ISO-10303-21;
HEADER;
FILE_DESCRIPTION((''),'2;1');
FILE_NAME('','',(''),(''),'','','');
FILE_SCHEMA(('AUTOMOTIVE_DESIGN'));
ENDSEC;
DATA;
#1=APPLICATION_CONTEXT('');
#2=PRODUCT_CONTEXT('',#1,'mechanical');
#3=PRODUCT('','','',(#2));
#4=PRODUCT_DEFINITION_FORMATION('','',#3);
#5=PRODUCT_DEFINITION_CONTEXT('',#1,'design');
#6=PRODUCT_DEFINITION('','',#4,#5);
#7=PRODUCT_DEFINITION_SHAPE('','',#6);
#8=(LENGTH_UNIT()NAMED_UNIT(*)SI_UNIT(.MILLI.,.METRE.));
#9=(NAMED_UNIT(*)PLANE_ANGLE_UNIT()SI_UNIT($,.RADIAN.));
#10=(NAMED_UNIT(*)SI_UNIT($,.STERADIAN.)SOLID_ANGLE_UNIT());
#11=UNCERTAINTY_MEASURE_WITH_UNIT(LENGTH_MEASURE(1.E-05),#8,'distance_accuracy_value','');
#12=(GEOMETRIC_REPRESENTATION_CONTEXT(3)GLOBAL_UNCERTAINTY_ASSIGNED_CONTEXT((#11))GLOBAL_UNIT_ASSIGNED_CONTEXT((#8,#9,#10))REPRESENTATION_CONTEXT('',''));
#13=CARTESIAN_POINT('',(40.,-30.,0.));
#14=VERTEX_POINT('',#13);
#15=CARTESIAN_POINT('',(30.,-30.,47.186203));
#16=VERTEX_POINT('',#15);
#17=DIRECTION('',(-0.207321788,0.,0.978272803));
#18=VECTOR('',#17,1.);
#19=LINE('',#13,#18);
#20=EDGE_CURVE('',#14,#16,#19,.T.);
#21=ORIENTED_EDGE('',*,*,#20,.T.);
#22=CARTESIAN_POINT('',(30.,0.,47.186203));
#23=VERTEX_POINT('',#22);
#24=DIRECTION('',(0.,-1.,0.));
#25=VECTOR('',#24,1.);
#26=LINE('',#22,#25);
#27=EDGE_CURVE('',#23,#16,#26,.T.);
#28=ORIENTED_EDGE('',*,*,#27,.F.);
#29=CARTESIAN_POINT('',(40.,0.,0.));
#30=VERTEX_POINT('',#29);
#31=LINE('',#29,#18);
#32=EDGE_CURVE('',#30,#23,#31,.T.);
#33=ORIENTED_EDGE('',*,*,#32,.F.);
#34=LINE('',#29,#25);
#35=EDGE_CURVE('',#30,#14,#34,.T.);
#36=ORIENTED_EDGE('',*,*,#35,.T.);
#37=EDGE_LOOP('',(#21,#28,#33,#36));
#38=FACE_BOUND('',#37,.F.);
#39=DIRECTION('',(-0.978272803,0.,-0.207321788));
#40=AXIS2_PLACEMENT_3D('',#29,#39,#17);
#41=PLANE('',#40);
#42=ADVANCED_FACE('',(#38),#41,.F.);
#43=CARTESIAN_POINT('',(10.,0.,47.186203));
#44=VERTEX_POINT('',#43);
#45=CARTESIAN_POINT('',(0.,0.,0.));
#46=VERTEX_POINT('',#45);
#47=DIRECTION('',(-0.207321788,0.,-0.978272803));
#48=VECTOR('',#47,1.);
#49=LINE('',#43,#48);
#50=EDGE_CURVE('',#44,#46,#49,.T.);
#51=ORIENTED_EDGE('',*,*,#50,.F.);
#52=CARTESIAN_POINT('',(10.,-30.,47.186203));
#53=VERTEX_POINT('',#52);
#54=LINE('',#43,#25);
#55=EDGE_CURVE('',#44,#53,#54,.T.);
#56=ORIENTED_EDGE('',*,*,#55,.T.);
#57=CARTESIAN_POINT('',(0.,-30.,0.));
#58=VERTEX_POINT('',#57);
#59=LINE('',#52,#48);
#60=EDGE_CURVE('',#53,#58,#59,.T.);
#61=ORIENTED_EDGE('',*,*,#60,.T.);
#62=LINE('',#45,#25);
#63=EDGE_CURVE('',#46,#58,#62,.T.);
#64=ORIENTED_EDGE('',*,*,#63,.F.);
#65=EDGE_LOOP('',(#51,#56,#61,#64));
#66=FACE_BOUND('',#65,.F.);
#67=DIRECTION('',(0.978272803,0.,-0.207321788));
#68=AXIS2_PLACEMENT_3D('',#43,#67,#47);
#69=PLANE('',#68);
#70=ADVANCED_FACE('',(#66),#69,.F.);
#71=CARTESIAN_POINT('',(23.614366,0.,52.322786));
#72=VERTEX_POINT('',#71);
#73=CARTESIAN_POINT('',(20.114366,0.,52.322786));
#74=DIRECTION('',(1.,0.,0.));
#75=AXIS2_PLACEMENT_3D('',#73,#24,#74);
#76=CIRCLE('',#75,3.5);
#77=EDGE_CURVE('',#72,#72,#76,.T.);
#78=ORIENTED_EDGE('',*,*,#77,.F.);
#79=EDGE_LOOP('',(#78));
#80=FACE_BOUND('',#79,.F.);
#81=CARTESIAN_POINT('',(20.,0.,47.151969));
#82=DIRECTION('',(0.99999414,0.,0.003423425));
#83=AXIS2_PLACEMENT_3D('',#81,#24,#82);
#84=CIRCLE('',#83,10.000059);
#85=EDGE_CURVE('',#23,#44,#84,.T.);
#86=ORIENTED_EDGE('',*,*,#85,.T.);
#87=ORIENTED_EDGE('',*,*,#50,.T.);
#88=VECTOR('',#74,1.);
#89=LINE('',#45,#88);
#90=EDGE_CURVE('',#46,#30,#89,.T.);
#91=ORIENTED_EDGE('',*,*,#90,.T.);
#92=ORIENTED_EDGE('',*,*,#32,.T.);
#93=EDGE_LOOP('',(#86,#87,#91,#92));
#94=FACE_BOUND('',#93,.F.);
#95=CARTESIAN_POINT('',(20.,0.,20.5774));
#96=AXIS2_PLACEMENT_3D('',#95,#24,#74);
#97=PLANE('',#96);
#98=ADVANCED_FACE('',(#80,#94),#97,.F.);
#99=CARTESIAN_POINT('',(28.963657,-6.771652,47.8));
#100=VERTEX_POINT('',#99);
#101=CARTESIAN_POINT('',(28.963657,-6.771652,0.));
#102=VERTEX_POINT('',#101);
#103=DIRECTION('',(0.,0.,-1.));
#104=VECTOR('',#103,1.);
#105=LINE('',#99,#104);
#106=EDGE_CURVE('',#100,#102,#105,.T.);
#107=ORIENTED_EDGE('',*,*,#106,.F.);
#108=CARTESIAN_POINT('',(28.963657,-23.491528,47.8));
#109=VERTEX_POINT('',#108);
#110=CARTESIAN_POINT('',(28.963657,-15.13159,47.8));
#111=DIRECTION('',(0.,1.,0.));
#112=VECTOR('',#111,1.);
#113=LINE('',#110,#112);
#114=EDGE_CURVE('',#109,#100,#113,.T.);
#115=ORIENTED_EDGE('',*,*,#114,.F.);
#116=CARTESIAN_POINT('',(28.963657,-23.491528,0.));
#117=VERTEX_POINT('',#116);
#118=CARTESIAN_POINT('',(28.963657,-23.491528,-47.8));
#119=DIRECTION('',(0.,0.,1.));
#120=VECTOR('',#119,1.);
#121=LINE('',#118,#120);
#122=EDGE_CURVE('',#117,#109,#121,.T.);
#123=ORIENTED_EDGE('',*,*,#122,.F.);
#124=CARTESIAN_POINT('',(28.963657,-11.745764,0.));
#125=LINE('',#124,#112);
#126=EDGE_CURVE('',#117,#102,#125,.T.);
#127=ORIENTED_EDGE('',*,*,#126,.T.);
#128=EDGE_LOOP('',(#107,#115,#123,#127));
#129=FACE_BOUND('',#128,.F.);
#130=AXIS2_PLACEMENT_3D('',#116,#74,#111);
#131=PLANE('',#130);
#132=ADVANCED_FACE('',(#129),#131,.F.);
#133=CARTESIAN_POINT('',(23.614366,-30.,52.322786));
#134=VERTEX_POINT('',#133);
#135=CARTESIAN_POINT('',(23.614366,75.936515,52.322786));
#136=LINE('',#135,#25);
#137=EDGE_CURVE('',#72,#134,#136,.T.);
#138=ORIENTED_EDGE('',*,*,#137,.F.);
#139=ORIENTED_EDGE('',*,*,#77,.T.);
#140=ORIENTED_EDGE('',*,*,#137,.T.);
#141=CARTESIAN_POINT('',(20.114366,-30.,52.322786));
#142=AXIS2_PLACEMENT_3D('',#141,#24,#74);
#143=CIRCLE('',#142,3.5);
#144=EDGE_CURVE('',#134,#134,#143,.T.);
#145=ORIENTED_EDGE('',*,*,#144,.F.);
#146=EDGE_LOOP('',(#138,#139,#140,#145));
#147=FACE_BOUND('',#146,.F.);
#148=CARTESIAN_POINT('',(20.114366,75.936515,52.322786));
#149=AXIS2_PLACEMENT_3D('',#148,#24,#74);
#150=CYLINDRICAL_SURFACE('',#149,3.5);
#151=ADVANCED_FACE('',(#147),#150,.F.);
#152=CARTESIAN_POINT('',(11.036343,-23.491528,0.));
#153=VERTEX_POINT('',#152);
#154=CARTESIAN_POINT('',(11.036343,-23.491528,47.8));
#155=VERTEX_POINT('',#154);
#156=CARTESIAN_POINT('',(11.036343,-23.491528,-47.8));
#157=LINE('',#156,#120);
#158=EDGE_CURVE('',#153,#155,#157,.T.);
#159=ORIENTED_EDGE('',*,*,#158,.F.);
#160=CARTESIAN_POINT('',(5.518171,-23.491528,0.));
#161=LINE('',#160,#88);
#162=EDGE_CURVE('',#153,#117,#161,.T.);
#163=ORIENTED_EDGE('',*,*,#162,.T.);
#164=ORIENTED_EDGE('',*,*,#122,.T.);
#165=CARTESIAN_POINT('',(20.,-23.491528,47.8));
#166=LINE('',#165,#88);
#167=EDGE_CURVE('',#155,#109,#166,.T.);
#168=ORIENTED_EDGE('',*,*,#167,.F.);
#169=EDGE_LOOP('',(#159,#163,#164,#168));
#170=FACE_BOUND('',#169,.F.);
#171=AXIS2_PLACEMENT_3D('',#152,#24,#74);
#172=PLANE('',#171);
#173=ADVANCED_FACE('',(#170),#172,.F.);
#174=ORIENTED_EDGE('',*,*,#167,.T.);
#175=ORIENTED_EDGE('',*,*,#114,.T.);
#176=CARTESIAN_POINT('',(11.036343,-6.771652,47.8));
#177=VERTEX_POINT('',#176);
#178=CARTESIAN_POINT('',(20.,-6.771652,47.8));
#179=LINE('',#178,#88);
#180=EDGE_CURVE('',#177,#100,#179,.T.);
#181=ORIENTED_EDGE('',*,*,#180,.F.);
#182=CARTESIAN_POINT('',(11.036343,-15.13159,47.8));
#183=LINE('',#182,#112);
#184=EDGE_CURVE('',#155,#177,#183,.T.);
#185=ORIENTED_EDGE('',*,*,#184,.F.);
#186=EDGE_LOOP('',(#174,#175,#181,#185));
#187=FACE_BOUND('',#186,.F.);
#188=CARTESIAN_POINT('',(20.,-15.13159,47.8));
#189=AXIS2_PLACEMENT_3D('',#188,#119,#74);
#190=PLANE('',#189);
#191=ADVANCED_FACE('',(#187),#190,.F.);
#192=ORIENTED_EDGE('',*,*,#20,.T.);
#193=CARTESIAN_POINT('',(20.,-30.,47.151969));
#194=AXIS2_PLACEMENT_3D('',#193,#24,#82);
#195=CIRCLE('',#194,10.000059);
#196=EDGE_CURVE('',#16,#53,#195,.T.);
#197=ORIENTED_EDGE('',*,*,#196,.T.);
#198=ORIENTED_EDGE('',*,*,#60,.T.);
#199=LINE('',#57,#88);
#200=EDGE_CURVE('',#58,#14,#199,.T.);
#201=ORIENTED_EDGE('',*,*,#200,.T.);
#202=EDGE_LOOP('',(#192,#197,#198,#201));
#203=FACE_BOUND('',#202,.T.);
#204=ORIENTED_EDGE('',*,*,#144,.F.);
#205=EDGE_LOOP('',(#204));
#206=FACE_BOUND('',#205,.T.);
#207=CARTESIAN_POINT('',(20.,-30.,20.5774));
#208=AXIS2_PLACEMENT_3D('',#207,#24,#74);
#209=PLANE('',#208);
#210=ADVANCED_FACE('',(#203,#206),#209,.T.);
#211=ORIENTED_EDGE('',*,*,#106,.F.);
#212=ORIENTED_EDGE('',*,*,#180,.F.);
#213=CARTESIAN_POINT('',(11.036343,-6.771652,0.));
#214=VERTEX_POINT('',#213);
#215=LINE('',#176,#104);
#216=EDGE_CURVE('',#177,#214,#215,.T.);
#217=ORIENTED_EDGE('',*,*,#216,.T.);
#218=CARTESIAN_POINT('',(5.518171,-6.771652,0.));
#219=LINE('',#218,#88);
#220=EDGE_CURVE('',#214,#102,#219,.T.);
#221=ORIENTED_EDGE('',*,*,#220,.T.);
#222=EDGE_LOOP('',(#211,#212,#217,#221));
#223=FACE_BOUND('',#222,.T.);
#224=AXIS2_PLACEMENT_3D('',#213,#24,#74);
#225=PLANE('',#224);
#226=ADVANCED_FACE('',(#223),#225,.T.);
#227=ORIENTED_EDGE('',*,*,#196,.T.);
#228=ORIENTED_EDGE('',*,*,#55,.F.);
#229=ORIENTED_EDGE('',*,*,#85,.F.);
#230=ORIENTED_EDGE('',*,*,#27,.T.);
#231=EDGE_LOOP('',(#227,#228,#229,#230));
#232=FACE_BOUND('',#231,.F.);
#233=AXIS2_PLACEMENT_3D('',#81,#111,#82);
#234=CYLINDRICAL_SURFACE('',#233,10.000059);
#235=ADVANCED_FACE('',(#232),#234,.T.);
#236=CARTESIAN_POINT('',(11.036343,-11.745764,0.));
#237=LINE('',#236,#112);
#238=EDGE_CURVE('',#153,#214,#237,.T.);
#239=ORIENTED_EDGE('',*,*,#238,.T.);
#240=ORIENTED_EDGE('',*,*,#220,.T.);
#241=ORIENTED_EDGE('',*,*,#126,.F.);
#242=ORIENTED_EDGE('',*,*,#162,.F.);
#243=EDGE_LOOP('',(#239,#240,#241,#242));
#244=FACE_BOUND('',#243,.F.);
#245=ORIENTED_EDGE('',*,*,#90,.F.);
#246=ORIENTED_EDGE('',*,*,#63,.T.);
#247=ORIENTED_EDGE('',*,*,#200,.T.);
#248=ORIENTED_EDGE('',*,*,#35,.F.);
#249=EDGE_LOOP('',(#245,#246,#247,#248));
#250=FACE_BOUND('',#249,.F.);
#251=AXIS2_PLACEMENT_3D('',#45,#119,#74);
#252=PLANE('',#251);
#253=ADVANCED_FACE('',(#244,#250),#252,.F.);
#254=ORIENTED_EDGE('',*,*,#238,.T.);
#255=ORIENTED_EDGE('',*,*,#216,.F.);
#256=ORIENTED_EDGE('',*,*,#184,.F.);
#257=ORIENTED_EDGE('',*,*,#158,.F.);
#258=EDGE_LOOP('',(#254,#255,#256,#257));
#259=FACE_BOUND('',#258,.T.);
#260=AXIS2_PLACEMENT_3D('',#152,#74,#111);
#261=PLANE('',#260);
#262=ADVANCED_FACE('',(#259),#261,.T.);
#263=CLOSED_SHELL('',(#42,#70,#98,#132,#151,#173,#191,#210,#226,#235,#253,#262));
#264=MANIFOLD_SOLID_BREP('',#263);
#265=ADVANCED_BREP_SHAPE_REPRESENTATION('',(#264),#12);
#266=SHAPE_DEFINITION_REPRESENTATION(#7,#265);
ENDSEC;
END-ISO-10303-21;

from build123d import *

# Parameters (mm, degrees)
F1_DEPTH = 30
F2_W     = 17.9273141921
F2_H     = 16.7198758554
F3_DEPTH = 47.8
F5_D     = 7


with BuildPart() as f1:
    # F0 (on Front) → F1 (new body)
    with BuildSketch(Plane.XZ):
        Polygon((10, 47.186203301), (0, 0), (40, 0), (30, 47.186203301), (20, 47.186203301), align=None)
        with BuildLine():
            ThreePointArc((30, 47.186203301), (20, 57.1520274516), (10, 47.186203301))
            Line((10, 47.186203301), (20, 47.186203301))
            Line((20, 47.186203301), (30, 47.186203301))
        make_face()
    extrude(amount=F1_DEPTH)

    # F2 (on Top) → F3 (cut, symmetric)
    with BuildSketch(Plane.XY):
        with Locations((20, -15.1315899557)):
            Rectangle(F2_W, F2_H)
    extrude(amount=F3_DEPTH, both=True, mode=Mode.SUBTRACT)

    # F5 (through all)
    with Locations(Plane(origin=(0, 0, 0), x_dir=(-1, 0, 0), z_dir=(0, 1, 0))):
        with Locations((-20.1143659651, 52.3227863014)):
            Hole(F5_D / 2)


solid = f1.part
